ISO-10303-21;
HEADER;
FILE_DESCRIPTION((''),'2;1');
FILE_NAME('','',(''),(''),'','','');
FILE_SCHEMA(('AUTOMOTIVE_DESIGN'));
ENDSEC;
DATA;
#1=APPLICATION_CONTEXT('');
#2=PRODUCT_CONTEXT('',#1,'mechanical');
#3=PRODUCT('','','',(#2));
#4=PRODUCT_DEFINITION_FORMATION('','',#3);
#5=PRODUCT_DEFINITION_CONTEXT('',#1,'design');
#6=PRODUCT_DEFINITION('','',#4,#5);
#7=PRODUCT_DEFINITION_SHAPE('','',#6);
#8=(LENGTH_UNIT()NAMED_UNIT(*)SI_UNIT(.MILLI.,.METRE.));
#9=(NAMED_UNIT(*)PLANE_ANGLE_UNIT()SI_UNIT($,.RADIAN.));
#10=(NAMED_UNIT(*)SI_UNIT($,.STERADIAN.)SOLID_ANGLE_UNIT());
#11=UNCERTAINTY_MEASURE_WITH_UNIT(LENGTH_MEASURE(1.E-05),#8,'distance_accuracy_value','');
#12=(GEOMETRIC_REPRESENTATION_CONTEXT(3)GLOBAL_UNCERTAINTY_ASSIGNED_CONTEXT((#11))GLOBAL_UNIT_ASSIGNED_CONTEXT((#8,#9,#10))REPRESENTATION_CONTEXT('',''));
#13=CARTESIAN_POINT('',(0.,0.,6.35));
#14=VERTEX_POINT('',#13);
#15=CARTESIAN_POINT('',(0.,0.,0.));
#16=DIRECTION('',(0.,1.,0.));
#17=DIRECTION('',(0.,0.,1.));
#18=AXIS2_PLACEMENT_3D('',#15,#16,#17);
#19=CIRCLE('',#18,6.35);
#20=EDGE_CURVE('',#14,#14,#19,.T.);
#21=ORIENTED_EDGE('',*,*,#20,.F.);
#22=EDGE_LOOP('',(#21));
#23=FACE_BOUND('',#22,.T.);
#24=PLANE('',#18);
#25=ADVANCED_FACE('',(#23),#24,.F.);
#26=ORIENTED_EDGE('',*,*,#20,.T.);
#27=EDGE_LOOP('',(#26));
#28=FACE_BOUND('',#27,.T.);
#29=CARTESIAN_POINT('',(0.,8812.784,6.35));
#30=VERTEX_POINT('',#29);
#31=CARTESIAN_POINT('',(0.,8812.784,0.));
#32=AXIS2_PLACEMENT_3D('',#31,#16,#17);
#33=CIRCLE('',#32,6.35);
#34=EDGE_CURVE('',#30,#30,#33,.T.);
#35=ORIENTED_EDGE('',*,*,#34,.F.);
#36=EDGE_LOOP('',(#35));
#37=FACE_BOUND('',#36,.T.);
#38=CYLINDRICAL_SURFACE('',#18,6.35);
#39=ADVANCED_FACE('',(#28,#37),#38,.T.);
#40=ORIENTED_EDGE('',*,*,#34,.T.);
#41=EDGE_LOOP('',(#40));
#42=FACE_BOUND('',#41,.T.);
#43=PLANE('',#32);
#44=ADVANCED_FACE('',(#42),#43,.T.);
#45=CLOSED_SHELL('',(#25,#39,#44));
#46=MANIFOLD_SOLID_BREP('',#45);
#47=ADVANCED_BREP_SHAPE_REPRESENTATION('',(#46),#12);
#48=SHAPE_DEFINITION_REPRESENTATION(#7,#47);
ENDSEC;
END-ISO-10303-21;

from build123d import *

# Parameters (mm, degrees)
SWEEP1_PROFILE_R = 6.35


with BuildPart() as part:
    # Sweep1: sweep along a path in Sketch1
    with BuildLine(Plane.XY) as sweep1_path:
        Line((0, 0), (0, 8812.784))
    # Sweep1 profile (on start of the path) → Sweep1 (sweep)
    with BuildSketch(Plane.ZX):
        Circle(SWEEP1_PROFILE_R)
    sweep(path=sweep1_path.line)


solid = part.part
